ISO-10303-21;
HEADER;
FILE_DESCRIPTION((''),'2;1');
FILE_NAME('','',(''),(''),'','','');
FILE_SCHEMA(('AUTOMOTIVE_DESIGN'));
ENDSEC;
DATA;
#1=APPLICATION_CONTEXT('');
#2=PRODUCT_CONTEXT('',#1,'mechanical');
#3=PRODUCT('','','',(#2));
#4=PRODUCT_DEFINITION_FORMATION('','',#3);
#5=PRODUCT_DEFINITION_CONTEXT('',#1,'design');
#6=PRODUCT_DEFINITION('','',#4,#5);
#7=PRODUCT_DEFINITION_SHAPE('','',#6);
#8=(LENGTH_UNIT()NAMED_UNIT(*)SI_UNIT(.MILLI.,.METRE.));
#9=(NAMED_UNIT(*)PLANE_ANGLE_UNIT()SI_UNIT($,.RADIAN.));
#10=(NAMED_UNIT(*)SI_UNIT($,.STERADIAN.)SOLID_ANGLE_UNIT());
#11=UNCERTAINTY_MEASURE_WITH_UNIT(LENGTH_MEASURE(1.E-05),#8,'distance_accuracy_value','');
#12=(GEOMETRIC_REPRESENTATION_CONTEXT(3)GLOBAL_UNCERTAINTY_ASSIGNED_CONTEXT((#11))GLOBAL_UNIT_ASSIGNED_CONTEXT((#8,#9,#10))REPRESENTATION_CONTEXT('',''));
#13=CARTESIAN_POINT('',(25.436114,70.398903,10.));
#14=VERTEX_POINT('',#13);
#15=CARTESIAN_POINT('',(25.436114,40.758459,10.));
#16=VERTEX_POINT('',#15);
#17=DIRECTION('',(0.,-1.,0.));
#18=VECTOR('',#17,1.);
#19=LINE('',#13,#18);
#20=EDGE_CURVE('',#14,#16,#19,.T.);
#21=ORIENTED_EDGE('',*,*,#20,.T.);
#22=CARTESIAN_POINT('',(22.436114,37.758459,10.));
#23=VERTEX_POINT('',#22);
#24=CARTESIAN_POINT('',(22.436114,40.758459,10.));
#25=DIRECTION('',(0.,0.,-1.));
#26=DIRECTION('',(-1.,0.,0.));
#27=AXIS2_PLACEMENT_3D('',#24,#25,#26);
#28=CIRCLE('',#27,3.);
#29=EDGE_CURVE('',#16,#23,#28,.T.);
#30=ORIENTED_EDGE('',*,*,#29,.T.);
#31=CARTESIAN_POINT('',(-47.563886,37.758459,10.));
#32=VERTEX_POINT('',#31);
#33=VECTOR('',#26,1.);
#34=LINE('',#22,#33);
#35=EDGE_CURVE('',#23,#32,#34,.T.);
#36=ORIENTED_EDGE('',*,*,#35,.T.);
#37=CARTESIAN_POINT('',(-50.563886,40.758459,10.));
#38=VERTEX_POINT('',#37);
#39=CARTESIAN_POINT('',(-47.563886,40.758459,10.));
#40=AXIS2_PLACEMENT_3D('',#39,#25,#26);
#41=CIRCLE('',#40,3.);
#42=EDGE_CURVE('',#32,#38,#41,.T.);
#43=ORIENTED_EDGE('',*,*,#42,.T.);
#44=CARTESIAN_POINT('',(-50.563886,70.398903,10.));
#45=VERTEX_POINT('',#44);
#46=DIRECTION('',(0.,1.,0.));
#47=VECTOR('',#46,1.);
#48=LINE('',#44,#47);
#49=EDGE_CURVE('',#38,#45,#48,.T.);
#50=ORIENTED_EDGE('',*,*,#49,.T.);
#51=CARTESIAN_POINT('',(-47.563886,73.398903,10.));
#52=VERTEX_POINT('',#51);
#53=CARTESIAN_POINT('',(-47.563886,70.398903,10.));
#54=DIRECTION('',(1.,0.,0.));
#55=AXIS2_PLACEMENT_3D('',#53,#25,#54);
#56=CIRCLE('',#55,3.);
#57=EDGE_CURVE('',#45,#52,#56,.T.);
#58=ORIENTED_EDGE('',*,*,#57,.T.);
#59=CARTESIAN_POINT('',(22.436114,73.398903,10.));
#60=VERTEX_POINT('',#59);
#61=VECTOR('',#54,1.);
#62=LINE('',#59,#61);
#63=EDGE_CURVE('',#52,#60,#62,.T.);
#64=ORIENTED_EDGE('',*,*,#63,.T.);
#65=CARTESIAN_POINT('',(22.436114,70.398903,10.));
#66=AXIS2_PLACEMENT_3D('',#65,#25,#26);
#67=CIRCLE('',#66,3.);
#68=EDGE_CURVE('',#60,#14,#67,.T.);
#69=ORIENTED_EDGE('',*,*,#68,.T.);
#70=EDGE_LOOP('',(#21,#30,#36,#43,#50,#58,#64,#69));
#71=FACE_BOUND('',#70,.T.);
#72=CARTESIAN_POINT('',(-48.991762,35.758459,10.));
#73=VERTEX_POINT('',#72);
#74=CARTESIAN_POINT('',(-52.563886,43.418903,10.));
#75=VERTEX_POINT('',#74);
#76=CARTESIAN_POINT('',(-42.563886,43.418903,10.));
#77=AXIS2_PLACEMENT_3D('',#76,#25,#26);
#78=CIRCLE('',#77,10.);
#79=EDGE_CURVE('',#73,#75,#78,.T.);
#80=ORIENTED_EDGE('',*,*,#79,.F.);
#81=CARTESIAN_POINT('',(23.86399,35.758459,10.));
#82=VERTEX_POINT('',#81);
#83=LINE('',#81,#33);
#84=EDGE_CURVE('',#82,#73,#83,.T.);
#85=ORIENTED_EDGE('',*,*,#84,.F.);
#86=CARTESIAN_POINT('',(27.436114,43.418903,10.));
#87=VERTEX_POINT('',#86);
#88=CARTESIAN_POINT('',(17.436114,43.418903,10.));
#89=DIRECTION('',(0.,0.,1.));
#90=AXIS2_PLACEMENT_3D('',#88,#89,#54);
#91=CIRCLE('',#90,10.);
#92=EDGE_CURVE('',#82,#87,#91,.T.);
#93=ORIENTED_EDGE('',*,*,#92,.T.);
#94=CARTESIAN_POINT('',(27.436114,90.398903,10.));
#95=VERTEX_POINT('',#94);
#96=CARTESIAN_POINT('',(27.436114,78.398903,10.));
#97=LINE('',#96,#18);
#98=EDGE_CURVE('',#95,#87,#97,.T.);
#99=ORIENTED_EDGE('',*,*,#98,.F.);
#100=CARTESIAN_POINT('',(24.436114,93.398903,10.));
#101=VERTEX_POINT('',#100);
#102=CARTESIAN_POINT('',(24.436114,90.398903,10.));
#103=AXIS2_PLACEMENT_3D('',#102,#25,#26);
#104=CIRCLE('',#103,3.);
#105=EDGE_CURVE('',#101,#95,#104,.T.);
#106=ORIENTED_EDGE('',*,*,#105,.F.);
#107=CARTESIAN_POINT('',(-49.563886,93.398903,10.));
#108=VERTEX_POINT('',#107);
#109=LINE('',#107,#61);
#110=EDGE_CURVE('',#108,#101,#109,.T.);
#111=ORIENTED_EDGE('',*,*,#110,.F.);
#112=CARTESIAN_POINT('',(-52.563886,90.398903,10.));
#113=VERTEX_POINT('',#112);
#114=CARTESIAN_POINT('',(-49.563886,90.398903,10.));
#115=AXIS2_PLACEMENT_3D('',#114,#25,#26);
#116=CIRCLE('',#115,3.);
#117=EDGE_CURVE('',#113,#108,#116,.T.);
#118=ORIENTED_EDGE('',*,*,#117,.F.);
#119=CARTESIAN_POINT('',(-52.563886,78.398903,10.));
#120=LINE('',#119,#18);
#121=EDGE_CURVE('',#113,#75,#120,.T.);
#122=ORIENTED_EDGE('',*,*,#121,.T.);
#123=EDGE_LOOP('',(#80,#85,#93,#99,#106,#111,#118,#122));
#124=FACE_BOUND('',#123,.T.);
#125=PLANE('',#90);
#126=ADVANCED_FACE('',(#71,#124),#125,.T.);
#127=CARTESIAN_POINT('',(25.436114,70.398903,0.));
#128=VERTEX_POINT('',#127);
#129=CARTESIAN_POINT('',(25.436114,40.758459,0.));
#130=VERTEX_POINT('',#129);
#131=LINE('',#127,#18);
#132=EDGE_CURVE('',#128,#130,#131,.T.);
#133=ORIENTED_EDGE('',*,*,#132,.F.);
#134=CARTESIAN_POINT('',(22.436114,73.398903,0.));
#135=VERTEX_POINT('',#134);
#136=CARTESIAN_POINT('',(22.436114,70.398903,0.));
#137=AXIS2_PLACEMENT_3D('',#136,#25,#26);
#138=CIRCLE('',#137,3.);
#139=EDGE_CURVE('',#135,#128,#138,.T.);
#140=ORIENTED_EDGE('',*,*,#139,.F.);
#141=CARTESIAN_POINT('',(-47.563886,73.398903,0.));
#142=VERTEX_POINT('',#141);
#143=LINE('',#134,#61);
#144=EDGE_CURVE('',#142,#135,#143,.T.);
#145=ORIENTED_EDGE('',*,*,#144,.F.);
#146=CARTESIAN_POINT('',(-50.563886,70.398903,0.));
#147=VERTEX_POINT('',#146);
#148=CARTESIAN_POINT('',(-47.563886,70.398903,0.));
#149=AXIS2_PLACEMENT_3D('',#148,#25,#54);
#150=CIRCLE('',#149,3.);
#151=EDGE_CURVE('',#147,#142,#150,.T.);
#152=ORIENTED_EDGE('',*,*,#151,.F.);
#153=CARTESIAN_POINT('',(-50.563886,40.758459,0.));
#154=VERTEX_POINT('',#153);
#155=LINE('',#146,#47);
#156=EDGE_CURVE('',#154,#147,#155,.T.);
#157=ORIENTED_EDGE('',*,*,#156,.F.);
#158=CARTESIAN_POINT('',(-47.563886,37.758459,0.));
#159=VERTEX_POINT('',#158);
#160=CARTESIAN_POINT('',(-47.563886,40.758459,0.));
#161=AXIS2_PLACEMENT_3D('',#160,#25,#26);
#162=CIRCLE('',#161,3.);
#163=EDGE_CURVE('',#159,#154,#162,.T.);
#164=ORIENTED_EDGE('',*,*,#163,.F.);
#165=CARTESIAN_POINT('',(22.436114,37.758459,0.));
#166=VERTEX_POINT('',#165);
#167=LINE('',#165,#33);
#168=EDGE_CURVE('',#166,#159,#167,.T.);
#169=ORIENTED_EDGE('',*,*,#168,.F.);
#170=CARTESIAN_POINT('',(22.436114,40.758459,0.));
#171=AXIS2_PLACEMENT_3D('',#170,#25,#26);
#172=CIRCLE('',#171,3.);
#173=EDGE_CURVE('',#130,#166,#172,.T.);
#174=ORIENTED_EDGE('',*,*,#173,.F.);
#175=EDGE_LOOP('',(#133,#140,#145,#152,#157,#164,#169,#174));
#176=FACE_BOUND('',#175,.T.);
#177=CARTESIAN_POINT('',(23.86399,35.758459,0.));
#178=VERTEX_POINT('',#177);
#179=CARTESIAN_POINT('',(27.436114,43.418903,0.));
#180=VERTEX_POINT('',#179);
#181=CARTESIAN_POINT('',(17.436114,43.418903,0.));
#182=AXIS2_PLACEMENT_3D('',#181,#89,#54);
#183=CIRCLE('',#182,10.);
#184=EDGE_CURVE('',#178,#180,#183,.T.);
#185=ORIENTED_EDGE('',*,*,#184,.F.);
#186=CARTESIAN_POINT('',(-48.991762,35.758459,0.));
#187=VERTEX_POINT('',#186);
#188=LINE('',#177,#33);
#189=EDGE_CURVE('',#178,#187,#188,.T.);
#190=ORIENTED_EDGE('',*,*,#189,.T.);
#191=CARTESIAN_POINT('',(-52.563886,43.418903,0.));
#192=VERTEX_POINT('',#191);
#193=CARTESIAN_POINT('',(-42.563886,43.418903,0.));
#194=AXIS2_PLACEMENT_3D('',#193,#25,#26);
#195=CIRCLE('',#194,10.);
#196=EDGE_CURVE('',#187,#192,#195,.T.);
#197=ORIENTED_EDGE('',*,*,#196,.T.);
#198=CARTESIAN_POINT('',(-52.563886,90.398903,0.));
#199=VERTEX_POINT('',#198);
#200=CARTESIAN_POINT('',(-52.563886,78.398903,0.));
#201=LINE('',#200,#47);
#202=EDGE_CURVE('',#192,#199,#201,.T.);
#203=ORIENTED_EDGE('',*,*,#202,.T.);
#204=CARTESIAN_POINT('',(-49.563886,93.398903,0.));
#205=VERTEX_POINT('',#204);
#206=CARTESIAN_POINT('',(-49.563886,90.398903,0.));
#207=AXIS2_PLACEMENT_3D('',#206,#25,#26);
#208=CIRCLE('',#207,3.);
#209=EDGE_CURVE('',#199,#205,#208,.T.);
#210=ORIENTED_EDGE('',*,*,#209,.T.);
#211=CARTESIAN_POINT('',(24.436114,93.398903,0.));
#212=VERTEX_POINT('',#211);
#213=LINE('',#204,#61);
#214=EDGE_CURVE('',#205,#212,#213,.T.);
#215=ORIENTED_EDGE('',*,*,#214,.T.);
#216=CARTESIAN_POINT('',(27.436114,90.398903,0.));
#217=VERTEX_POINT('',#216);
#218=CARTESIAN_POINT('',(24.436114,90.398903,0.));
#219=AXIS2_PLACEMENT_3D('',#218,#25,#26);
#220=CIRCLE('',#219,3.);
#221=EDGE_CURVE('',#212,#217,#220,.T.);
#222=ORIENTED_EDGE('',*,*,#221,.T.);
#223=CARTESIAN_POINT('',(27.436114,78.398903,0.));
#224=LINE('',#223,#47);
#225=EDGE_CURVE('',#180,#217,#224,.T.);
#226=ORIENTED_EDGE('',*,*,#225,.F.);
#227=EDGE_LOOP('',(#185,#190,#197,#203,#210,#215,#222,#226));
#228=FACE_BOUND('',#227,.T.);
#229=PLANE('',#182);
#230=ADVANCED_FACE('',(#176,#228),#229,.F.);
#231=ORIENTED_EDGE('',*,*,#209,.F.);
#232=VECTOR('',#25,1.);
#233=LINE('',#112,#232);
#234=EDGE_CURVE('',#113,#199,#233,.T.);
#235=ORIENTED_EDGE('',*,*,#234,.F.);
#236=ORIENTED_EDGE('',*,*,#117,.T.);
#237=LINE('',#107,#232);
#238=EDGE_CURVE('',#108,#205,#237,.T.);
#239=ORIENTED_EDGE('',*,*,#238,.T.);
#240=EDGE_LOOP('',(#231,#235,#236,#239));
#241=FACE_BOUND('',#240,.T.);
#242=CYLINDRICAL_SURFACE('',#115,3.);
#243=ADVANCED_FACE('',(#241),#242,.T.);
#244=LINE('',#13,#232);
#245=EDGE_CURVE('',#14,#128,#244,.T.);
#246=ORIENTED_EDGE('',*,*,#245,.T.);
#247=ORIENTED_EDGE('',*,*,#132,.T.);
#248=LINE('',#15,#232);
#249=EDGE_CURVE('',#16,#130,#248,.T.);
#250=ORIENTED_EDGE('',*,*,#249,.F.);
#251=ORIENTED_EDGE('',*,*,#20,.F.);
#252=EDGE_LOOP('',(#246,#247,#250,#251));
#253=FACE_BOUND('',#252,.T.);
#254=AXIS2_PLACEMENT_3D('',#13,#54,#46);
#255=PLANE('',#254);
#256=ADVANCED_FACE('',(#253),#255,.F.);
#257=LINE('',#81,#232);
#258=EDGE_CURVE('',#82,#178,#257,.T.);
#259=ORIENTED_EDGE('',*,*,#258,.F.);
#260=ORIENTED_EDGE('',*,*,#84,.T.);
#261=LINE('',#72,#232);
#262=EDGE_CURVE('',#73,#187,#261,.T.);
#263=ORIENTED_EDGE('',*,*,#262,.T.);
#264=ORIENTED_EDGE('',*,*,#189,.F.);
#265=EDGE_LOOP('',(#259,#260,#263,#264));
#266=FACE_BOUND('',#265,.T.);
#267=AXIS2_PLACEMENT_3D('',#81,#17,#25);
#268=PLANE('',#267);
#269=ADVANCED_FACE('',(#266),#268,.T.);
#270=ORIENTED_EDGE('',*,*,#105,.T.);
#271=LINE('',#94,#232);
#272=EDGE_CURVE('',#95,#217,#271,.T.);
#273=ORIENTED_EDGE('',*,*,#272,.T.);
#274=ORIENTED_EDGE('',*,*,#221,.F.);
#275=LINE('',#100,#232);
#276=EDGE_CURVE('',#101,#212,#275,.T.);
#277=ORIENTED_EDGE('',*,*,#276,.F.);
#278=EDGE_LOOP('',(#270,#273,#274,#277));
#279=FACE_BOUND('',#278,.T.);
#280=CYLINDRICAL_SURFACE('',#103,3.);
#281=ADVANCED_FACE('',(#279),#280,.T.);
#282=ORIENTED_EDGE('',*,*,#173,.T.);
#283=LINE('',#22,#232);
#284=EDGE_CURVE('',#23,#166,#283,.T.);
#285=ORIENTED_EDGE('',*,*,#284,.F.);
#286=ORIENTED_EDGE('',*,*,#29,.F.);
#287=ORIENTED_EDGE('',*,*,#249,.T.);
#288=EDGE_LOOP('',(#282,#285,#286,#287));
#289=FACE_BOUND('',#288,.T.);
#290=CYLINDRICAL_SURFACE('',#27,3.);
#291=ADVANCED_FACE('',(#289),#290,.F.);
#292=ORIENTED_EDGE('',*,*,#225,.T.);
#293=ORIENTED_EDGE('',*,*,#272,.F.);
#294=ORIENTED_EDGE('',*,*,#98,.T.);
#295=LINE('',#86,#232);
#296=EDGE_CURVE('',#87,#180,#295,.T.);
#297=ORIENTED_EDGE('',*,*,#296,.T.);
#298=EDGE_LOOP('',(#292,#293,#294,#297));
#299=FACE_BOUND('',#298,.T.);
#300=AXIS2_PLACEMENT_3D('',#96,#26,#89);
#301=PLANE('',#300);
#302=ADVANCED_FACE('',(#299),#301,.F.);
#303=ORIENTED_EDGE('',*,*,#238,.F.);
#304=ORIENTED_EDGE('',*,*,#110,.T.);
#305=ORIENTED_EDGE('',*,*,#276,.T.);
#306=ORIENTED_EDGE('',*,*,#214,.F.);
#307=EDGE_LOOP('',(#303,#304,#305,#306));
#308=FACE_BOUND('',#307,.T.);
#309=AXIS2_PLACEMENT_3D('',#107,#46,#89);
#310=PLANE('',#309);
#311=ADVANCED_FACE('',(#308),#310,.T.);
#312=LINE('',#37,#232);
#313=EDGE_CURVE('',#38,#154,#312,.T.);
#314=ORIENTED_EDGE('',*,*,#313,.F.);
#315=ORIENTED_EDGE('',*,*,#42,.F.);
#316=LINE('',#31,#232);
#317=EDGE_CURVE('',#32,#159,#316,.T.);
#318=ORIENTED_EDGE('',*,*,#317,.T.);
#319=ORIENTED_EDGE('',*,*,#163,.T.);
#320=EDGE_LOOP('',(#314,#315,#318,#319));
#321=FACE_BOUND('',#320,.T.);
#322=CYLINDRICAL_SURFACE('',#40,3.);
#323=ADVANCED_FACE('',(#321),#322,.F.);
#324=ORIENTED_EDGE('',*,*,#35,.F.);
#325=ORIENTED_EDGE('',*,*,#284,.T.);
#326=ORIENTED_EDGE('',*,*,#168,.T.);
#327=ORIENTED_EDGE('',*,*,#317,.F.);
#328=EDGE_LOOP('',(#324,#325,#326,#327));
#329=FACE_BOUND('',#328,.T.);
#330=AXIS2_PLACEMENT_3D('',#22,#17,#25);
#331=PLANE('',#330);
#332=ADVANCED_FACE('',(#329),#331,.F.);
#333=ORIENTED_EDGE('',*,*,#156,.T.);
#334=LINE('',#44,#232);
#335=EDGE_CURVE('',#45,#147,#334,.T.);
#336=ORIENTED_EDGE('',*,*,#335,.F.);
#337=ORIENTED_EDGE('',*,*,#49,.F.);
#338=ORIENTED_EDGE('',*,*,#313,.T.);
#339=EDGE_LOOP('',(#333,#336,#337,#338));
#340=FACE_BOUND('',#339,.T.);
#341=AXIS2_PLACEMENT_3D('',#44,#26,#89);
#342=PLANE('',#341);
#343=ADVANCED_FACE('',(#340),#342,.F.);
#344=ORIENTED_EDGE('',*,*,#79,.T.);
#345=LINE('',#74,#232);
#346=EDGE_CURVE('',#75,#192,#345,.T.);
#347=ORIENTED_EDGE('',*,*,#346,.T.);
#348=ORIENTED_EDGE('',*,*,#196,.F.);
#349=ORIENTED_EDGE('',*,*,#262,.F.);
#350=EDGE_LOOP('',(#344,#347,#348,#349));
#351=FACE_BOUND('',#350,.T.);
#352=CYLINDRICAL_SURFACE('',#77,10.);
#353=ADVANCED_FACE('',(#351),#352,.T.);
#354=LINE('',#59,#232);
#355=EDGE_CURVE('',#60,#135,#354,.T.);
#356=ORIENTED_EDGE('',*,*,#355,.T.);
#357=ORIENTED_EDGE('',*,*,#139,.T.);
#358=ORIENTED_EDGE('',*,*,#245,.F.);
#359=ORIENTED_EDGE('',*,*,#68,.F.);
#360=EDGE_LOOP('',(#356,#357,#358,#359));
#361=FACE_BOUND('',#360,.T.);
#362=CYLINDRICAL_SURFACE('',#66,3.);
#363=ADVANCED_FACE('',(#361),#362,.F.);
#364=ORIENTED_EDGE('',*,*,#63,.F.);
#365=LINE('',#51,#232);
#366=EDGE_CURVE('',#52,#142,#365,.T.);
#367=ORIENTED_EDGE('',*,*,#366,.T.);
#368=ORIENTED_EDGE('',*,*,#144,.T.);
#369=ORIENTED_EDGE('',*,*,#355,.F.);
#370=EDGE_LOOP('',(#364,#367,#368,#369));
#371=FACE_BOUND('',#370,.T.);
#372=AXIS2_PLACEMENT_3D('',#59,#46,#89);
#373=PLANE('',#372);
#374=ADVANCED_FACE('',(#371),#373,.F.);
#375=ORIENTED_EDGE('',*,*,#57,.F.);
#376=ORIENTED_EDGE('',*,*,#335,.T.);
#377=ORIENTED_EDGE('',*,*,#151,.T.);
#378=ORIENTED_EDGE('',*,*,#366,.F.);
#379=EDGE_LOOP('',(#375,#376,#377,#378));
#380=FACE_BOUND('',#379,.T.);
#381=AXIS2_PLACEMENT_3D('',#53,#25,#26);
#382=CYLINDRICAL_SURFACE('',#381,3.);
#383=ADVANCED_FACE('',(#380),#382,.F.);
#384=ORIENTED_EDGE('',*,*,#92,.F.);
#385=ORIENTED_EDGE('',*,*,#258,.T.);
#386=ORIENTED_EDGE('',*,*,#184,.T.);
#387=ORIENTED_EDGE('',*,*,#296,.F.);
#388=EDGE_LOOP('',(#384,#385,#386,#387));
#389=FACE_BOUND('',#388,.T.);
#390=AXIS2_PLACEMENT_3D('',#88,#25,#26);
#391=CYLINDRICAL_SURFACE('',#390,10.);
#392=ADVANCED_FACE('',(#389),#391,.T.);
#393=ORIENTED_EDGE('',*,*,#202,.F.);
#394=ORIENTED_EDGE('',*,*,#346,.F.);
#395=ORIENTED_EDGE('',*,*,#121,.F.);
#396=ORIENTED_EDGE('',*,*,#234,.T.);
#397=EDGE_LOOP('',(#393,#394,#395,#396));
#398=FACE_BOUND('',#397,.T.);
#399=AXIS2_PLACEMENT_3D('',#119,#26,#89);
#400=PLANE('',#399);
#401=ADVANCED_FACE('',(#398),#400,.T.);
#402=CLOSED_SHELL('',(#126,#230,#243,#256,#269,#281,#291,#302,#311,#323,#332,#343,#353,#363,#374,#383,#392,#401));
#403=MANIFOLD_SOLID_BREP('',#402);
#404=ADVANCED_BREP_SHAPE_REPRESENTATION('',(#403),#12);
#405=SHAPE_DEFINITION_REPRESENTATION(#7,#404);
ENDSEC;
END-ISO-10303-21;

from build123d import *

# Parameters (mm, degrees)
RESSALTO_EXTRUS_O1_DEPTH = 10
CORTE_EXTRUS_O1_DEPTH    = 10


with BuildPart() as part:
    # Esboço1 → Ressalto-extrusão1 (new body)
    with BuildSketch(Plane.XY):
        with BuildLine():
            Line((-49.563885949, 93.398903013), (24.436114051, 93.398903013))
            ThreePointArc((24.436114051, 93.398903013), (26.557434395, 92.520223357), (27.436114051, 90.398903013))
            Line((27.436114051, 90.398903013), (27.436114051, 78.398903013))
            Line((27.436114051, 78.398903013), (27.436114051, 43.418903013))
            ThreePointArc((27.436114051, 43.418903013), (26.499191921, 39.192720396), (23.863990148, 35.758458582))
            Line((23.863990148, 35.758458582), (-48.991762046, 35.758458582))
            ThreePointArc((-48.991762046, 35.758458582), (-51.626963819, 39.192720396), (-52.563885949, 43.418903013))
            Line((-52.563885949, 43.418903013), (-52.563885949, 78.398903013))
            Line((-52.563885949, 78.398903013), (-52.563885949, 90.398903013))
            ThreePointArc((-52.563885949, 90.398903013), (-51.685206293, 92.520223357), (-49.563885949, 93.398903013))
        make_face()
    extrude(amount=RESSALTO_EXTRUS_O1_DEPTH)

    # Esboço2 → Corte-extrusão1 (cut)
    with BuildSketch(Plane(origin=(0, 0, 0), x_dir=(-1, 0, 0), z_dir=(0, 0, -1))):
        with BuildLine():
            Line((-22.436114051, 73.398903013), (47.563885949, 73.398903013))
            ThreePointArc((47.563885949, 73.398903013), (49.685206293, 72.520223357), (50.563885949, 70.398903013))
            Line((50.563885949, 70.398903013), (50.563885949, 40.758458582))
            ThreePointArc((50.563885949, 40.758458582), (49.685206293, 38.637138238), (47.563885949, 37.758458582))
            Line((47.563885949, 37.758458582), (-22.436114051, 37.758458582))
            ThreePointArc((-22.436114051, 37.758458582), (-24.557434395, 38.637138238), (-25.436114051, 40.758458582))
            Line((-25.436114051, 40.758458582), (-25.436114051, 70.398903013))
            ThreePointArc((-25.436114051, 70.398903013), (-24.557434395, 72.520223357), (-22.436114051, 73.398903013))
        make_face()
    extrude(amount=-CORTE_EXTRUS_O1_DEPTH, mode=Mode.SUBTRACT)


solid = part.part
